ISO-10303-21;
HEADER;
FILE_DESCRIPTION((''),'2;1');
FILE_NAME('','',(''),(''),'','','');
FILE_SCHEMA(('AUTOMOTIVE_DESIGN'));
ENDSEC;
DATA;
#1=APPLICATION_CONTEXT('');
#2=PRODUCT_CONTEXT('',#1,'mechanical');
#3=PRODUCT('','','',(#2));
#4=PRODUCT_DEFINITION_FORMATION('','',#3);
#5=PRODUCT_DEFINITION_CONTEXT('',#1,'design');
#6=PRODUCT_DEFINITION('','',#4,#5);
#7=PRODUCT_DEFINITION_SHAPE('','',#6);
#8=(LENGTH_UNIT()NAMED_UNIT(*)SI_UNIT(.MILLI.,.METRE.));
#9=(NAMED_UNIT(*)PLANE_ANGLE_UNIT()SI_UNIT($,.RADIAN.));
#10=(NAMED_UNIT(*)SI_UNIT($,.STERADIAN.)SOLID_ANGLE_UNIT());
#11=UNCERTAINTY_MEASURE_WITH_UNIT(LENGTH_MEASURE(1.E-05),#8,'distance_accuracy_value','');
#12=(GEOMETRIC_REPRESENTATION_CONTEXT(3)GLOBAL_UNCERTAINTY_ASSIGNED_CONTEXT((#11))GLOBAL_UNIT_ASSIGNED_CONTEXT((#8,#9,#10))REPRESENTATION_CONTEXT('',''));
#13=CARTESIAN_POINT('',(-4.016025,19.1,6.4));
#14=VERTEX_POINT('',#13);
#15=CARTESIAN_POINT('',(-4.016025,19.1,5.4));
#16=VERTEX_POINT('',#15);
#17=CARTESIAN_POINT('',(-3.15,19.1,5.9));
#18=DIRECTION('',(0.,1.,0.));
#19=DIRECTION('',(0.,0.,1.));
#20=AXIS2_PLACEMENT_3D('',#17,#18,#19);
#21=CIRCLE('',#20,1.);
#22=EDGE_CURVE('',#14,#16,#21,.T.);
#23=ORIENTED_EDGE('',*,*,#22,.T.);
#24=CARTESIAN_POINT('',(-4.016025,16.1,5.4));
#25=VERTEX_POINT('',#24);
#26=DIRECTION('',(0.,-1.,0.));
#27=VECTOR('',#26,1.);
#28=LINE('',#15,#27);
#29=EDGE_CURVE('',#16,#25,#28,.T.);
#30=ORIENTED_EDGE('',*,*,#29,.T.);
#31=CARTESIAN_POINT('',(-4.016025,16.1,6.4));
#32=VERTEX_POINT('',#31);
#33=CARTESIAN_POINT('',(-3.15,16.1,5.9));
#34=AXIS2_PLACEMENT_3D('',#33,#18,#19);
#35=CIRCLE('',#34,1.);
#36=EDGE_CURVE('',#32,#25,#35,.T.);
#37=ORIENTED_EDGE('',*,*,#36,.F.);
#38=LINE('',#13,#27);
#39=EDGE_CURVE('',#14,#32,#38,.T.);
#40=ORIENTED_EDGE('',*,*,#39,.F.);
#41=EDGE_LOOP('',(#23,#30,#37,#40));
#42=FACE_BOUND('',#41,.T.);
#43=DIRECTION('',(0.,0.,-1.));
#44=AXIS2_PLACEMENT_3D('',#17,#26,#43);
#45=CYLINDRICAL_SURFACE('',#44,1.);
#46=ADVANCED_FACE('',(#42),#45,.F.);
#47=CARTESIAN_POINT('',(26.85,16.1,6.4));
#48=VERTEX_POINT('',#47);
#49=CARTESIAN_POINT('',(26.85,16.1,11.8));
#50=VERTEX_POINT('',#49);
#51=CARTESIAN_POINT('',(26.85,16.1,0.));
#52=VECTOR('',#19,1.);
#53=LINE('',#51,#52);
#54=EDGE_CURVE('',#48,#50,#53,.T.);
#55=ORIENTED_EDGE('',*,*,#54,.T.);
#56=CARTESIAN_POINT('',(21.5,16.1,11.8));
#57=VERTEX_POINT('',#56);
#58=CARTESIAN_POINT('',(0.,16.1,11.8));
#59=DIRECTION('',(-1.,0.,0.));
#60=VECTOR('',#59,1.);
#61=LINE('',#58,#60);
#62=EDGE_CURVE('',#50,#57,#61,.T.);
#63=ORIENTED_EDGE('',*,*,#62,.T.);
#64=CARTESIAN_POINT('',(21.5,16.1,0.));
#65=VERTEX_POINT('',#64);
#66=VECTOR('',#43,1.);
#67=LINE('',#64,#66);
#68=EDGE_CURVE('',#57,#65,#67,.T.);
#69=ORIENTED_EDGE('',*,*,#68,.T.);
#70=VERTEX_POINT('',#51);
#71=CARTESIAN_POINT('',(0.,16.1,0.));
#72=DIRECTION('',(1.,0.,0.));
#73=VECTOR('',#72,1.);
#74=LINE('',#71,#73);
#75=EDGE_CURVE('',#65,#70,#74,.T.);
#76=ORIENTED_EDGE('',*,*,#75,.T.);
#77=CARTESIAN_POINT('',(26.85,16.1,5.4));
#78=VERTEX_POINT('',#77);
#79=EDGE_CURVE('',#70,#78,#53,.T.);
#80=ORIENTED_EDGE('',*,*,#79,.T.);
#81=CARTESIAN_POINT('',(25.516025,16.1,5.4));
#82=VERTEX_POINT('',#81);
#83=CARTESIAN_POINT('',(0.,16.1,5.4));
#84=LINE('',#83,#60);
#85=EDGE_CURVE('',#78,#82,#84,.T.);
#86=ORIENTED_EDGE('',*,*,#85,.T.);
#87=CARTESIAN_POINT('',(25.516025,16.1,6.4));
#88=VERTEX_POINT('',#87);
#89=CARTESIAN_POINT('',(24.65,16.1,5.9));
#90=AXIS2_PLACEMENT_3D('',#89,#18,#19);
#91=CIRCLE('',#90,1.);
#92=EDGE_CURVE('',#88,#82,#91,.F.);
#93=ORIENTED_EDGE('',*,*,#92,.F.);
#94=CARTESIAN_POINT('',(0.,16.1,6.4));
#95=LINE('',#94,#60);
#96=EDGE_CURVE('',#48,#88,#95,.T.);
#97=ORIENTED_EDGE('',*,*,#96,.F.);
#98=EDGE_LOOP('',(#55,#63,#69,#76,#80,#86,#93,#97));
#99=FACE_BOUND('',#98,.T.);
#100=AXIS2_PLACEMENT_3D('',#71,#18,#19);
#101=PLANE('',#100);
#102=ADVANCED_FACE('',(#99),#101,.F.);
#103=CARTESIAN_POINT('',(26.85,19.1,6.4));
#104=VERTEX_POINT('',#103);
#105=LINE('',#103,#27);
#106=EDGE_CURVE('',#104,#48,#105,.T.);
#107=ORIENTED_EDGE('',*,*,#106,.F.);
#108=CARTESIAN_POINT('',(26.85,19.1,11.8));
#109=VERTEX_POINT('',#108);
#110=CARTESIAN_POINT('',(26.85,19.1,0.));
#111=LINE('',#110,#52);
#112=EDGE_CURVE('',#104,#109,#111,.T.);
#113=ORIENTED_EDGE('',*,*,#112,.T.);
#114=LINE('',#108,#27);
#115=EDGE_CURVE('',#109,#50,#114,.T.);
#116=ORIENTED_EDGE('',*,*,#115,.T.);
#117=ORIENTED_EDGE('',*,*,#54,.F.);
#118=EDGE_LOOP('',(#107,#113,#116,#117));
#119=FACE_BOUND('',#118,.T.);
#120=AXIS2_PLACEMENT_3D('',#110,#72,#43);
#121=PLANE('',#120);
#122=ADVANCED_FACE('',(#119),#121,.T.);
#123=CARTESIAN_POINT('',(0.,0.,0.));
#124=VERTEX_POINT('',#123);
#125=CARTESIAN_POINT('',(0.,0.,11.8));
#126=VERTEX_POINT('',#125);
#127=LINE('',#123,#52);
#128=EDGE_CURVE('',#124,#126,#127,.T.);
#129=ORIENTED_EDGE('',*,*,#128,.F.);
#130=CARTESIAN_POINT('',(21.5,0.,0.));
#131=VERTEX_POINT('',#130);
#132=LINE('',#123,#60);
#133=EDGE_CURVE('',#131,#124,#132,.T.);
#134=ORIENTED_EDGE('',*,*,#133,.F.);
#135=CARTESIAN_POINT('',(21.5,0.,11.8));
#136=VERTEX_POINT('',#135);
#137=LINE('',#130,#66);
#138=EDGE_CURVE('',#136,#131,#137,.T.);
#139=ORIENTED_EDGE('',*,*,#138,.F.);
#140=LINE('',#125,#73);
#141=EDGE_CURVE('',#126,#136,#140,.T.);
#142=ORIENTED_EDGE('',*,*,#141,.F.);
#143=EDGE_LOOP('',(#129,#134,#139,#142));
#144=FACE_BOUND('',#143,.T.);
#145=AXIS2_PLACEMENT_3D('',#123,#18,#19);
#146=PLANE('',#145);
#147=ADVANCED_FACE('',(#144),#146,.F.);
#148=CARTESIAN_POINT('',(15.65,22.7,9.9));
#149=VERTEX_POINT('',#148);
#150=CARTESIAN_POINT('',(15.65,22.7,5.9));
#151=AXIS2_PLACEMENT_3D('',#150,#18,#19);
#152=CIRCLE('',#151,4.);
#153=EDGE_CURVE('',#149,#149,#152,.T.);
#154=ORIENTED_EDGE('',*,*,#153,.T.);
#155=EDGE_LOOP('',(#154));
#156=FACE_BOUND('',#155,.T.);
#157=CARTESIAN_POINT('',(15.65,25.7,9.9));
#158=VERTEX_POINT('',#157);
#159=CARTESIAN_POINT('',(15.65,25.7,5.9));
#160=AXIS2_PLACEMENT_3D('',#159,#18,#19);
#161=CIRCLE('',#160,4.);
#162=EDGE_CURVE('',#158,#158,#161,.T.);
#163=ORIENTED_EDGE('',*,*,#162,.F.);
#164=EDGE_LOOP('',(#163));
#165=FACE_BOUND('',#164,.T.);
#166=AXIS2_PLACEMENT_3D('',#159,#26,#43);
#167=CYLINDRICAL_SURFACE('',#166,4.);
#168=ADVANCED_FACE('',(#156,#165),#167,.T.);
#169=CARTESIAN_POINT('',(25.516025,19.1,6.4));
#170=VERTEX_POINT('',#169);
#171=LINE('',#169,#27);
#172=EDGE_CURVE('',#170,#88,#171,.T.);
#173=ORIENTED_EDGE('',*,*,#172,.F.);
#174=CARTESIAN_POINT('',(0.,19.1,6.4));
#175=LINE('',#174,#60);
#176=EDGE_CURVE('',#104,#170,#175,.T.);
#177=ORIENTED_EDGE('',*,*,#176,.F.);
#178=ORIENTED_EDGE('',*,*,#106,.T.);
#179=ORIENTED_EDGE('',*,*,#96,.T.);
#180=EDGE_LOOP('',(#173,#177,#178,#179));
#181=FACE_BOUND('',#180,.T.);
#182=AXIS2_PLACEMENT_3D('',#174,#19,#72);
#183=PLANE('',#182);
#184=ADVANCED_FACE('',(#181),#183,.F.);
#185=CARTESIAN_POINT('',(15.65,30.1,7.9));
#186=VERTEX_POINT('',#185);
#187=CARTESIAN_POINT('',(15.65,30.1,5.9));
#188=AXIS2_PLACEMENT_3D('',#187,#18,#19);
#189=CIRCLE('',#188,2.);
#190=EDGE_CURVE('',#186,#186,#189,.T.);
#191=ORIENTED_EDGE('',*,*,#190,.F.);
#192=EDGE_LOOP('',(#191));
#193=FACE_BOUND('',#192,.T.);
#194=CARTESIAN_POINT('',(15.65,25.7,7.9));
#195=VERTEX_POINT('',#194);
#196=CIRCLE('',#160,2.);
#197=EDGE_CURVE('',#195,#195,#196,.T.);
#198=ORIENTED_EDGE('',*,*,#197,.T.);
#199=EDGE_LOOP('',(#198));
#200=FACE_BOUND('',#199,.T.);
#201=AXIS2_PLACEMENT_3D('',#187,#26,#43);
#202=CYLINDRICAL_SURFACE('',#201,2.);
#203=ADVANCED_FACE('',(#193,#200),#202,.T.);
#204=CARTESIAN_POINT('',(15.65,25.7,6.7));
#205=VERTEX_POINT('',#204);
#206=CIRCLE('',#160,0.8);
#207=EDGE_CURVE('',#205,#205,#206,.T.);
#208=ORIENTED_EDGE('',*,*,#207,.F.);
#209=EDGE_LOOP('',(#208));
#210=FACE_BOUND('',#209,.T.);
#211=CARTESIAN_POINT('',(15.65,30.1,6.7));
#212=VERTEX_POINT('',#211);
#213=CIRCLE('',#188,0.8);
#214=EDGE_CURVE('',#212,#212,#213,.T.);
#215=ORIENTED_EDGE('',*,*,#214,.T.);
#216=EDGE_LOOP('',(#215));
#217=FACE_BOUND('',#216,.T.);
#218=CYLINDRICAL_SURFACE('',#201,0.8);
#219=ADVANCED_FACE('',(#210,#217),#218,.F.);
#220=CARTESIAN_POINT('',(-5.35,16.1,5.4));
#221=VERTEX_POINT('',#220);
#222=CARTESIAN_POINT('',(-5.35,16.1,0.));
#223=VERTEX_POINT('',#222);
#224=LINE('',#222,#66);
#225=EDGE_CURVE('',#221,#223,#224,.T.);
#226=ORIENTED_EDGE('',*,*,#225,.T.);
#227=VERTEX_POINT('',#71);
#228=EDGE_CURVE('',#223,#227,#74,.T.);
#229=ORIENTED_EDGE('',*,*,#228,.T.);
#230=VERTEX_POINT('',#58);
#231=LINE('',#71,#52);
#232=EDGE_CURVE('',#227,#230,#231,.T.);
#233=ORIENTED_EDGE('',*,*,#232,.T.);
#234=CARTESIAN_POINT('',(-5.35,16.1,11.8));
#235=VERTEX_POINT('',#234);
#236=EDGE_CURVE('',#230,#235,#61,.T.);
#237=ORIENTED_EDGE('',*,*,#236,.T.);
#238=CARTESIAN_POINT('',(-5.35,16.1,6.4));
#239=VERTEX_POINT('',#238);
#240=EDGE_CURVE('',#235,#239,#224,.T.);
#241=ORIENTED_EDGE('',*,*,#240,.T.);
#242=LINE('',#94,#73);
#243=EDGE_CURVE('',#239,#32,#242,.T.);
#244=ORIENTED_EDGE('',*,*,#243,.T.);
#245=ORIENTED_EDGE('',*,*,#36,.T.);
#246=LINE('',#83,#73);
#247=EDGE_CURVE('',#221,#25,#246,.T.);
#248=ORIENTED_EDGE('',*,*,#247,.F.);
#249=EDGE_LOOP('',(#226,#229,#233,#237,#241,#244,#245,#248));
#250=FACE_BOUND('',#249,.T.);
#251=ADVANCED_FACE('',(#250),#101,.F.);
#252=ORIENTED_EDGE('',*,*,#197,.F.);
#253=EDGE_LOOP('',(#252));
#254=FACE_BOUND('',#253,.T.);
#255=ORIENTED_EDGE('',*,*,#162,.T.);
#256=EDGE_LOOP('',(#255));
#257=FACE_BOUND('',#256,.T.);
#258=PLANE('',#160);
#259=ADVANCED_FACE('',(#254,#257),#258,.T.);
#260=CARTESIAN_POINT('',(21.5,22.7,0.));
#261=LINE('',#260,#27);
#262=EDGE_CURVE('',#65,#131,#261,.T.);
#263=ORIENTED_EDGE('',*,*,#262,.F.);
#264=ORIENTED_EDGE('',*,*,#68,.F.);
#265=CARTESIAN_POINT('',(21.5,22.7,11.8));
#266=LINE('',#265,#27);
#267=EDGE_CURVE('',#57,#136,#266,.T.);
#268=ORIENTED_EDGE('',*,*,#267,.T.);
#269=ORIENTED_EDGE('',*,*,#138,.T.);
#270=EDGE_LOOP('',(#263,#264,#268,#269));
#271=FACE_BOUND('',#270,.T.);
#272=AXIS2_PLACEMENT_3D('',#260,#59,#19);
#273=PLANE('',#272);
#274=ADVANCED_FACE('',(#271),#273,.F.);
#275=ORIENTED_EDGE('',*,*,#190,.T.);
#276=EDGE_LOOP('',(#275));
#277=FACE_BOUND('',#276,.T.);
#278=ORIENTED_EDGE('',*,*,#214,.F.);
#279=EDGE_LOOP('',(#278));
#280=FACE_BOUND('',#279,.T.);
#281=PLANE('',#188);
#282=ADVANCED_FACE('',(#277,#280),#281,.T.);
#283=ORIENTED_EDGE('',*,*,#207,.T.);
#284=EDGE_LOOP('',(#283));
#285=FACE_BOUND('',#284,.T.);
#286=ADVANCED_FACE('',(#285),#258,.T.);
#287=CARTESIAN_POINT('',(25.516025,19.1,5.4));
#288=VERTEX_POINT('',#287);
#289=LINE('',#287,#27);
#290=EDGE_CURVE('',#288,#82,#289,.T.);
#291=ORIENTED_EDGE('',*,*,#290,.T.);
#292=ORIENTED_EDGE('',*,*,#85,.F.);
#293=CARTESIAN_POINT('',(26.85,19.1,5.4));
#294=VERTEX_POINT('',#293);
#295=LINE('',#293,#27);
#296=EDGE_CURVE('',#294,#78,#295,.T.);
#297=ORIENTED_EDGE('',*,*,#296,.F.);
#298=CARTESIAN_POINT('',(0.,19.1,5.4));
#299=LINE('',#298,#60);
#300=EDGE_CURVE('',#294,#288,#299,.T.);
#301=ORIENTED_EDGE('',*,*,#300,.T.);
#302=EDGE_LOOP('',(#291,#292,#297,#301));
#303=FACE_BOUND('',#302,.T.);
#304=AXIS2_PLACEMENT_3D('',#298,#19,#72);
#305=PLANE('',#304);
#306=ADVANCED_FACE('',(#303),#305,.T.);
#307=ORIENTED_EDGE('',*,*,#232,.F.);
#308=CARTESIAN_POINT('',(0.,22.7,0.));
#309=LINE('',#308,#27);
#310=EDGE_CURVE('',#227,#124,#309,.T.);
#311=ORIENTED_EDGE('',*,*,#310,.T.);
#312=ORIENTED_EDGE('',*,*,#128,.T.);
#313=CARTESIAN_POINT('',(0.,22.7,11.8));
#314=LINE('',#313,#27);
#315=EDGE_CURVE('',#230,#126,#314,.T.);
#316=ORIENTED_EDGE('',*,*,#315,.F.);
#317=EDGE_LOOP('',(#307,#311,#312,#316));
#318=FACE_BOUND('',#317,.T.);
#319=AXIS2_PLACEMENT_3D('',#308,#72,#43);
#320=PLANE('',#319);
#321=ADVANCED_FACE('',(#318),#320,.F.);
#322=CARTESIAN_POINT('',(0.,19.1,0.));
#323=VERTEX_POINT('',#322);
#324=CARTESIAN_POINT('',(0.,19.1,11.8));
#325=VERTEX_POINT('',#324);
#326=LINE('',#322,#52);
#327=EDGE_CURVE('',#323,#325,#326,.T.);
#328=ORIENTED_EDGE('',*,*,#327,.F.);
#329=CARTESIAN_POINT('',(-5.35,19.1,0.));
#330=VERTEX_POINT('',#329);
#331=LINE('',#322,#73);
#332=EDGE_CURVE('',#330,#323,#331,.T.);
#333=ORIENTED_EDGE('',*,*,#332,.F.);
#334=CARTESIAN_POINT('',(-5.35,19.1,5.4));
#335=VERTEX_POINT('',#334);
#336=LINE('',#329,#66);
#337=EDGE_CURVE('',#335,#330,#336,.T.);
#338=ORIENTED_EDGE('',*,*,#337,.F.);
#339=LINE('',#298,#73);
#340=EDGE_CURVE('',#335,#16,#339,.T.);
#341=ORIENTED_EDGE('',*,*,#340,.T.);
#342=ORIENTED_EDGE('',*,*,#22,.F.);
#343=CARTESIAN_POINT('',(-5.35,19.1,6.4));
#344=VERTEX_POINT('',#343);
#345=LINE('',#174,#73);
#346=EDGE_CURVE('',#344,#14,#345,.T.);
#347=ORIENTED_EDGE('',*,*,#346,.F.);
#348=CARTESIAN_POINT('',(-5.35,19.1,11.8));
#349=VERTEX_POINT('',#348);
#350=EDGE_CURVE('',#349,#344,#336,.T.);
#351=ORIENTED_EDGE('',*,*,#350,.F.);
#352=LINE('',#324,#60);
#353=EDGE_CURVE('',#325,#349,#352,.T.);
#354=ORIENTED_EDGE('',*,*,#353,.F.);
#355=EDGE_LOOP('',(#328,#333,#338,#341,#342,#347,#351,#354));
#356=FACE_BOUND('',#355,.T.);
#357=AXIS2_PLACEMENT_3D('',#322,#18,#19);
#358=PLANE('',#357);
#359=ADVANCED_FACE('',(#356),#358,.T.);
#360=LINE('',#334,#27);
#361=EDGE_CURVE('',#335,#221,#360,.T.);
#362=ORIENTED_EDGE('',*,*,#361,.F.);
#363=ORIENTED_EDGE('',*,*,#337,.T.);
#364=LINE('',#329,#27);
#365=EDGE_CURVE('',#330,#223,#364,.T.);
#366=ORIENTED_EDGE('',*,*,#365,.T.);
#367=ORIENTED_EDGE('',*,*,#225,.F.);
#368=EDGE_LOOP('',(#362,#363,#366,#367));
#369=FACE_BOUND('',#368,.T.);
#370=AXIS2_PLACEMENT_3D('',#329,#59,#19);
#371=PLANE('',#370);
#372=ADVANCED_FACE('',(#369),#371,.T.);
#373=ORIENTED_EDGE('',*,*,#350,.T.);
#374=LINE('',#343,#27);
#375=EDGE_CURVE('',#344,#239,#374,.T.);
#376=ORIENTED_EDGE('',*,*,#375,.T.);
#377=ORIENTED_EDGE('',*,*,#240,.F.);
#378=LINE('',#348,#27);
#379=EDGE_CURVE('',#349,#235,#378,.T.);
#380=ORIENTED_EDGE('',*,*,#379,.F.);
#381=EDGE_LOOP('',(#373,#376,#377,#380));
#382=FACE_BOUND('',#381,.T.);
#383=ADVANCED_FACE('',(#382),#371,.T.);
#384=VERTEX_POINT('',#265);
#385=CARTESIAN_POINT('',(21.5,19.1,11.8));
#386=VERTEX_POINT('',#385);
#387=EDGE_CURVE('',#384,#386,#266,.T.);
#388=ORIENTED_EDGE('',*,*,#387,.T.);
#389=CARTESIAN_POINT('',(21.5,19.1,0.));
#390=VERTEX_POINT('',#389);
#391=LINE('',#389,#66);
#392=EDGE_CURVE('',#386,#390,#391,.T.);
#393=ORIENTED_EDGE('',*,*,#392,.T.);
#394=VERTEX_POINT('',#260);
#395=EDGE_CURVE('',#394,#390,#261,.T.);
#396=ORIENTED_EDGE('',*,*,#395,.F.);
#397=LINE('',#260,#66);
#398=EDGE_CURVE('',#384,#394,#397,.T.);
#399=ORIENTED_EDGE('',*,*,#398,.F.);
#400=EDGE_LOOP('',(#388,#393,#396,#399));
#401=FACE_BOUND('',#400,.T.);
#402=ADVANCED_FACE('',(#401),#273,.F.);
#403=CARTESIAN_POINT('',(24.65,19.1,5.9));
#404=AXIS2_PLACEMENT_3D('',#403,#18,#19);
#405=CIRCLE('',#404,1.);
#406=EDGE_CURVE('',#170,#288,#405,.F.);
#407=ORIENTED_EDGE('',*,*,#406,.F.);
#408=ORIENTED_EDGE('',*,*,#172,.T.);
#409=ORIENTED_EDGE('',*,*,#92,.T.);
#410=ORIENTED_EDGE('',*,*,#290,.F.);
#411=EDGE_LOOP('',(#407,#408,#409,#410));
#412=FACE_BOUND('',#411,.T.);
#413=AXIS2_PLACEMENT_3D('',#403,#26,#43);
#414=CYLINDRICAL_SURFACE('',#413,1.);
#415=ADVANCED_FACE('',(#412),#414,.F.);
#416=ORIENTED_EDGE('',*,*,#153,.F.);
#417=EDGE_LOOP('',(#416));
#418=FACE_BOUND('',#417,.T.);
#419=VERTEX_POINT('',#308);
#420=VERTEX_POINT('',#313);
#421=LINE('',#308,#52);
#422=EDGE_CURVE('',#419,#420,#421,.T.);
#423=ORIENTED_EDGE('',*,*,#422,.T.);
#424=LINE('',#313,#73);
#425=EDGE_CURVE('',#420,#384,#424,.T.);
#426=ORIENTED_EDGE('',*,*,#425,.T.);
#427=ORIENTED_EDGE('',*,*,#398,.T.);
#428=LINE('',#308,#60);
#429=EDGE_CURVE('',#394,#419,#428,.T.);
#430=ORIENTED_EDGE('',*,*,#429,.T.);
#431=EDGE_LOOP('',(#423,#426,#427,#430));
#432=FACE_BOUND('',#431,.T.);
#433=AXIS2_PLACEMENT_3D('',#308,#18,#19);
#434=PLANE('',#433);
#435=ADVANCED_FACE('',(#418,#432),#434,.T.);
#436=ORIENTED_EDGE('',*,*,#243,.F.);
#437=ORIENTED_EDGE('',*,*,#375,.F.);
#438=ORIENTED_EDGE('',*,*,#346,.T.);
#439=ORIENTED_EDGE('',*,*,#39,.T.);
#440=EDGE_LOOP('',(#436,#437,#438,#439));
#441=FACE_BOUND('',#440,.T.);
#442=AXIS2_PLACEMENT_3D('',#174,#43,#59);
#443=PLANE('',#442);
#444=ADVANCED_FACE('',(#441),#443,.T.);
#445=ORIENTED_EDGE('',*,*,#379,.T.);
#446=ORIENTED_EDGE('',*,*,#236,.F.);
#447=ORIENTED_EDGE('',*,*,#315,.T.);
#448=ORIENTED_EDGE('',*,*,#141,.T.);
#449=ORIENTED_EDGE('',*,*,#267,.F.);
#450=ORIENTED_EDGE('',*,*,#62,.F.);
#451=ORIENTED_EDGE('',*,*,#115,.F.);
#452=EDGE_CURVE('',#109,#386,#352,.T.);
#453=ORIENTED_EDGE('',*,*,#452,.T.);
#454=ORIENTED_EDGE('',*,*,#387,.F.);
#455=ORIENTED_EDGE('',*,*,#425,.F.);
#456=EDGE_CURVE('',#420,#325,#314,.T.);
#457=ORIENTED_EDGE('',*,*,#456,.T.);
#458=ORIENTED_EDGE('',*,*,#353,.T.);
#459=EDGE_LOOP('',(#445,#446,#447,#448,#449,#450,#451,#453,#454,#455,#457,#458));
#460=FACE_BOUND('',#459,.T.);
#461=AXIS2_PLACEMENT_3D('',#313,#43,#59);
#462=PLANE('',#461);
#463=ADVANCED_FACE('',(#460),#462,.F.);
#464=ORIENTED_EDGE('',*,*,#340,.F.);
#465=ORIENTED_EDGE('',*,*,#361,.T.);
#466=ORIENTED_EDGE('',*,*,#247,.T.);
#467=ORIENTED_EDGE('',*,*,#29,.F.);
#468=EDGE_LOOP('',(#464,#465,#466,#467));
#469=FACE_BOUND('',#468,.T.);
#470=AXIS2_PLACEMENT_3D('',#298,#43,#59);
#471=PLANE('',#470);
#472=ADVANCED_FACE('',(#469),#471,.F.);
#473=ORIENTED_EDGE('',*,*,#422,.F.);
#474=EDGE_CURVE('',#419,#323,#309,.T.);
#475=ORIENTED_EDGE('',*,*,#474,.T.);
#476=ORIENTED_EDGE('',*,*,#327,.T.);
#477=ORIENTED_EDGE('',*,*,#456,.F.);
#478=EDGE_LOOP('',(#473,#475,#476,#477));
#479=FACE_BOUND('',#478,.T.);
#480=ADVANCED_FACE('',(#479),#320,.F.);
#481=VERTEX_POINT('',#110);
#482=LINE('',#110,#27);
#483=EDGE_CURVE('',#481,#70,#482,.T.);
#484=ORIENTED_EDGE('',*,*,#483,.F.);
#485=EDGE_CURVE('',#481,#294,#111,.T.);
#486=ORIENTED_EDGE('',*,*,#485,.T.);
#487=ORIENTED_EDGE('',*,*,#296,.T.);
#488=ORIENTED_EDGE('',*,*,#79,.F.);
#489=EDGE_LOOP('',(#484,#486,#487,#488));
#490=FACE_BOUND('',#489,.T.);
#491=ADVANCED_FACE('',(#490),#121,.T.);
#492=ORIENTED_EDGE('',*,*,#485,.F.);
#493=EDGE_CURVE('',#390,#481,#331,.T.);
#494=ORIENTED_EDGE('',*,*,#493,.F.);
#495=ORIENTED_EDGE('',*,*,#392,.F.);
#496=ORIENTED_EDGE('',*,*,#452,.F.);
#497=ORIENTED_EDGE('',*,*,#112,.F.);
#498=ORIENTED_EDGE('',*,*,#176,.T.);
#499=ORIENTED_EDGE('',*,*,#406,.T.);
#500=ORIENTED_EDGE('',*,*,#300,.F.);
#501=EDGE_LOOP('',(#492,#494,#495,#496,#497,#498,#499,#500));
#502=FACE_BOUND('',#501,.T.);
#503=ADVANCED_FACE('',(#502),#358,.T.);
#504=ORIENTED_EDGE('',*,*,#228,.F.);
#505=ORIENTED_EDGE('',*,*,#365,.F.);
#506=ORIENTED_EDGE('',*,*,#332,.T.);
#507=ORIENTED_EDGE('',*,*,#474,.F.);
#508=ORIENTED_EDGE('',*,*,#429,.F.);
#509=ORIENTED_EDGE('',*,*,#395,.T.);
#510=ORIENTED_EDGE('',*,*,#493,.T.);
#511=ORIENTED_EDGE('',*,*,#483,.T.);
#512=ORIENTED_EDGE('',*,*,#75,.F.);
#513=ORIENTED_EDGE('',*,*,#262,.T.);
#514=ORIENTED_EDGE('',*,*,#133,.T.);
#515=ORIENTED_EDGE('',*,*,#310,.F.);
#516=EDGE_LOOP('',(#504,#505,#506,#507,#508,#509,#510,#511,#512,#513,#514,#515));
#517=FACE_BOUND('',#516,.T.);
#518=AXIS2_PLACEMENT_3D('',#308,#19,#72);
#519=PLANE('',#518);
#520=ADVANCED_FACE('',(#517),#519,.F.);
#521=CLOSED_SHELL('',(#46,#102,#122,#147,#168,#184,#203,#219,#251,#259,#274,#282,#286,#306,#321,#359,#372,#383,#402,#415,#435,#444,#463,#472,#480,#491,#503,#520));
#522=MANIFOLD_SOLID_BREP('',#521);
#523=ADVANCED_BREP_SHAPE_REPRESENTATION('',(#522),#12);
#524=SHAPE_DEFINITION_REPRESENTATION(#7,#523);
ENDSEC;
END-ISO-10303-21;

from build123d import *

# Parameters (mm, degrees)
SKETCH_1_W      = 21.5
SKETCH_1_H      = 11.8
EXTRUDE_1_DEPTH = 22.7
EXTRUDE_2_DEPTH = 3
SKETCH_3_R      = 2
SKETCH_3_R_2    = 0.8
EXTRUDE_3_DEPTH = 7.4
SKETCH_6_R      = 4
EXTRUDE_4_DEPTH = 3


with BuildPart() as part:
    # 草图1 → 凸台-拉伸1 (new body)
    with BuildSketch(Plane(origin=(0, 0, 0), x_dir=(1, 0, 0), z_dir=(0, 1, 0))):
        with Locations((10.75, -5.9)):
            Rectangle(SKETCH_1_W, SKETCH_1_H)
    extrude(amount=EXTRUDE_1_DEPTH)

    # 草图2 → 凸台-拉伸2 (add)
    with BuildSketch(Plane(origin=(0, 16.1, 0), x_dir=(1, 0, 0), z_dir=(0, 1, 0))):
        with BuildLine():
            Line((-5.35, -11.8), (0, -11.8))
            Line((0, -11.8), (0, 0))
            Line((0, 0), (-5.35, 0))
            Line((-5.35, 0), (-5.35, -5.4))
            Line((-5.35, -5.4), (-4.016025404, -5.4))
            ThreePointArc((-4.016025404, -5.4), (-2.15, -5.9), (-4.016025404, -6.4))
            Line((-4.016025404, -6.4), (-5.35, -6.4))
            Line((-5.35, -6.4), (-5.35, -11.8))
        make_face()
        with BuildLine():
            Line((26.85, 0), (21.5, 0))
            Line((21.5, 0), (21.5, -11.8))
            Line((21.5, -11.8), (26.85, -11.8))
            Line((26.85, -11.8), (26.85, -6.4))
            Line((26.85, -6.4), (25.516025404, -6.4))
            ThreePointArc((25.516025404, -6.4), (23.65, -5.9), (25.516025404, -5.4))
            Line((25.516025404, -5.4), (26.85, -5.4))
            Line((26.85, -5.4), (26.85, 0))
        make_face()
    extrude(amount=EXTRUDE_2_DEPTH)

    # 草图3 → 凸台-拉伸3 (add)
    with BuildSketch(Plane(origin=(0, 22.7, 0), x_dir=(1, 0, 0), z_dir=(0, 1, 0))):
        with Locations(Location((15.65, -5.9, 0), (0, 0, 270))):
            Circle(SKETCH_3_R)
        with Locations(Location((15.65, -5.9, 0), (0, 0, 270))):
            Circle(SKETCH_3_R_2, mode=Mode.SUBTRACT)
    extrude(amount=EXTRUDE_3_DEPTH)

    # 草图6 → 凸台-拉伸4 (add)
    with BuildSketch(Plane(origin=(0, 22.7, 0), x_dir=(1, 0, 0), z_dir=(0, 1, 0))):
        with Locations(Location((15.65, -5.9, 0), (0, 0, 270))):
            Circle(SKETCH_6_R)
    extrude(amount=EXTRUDE_4_DEPTH)


solid = part.part
